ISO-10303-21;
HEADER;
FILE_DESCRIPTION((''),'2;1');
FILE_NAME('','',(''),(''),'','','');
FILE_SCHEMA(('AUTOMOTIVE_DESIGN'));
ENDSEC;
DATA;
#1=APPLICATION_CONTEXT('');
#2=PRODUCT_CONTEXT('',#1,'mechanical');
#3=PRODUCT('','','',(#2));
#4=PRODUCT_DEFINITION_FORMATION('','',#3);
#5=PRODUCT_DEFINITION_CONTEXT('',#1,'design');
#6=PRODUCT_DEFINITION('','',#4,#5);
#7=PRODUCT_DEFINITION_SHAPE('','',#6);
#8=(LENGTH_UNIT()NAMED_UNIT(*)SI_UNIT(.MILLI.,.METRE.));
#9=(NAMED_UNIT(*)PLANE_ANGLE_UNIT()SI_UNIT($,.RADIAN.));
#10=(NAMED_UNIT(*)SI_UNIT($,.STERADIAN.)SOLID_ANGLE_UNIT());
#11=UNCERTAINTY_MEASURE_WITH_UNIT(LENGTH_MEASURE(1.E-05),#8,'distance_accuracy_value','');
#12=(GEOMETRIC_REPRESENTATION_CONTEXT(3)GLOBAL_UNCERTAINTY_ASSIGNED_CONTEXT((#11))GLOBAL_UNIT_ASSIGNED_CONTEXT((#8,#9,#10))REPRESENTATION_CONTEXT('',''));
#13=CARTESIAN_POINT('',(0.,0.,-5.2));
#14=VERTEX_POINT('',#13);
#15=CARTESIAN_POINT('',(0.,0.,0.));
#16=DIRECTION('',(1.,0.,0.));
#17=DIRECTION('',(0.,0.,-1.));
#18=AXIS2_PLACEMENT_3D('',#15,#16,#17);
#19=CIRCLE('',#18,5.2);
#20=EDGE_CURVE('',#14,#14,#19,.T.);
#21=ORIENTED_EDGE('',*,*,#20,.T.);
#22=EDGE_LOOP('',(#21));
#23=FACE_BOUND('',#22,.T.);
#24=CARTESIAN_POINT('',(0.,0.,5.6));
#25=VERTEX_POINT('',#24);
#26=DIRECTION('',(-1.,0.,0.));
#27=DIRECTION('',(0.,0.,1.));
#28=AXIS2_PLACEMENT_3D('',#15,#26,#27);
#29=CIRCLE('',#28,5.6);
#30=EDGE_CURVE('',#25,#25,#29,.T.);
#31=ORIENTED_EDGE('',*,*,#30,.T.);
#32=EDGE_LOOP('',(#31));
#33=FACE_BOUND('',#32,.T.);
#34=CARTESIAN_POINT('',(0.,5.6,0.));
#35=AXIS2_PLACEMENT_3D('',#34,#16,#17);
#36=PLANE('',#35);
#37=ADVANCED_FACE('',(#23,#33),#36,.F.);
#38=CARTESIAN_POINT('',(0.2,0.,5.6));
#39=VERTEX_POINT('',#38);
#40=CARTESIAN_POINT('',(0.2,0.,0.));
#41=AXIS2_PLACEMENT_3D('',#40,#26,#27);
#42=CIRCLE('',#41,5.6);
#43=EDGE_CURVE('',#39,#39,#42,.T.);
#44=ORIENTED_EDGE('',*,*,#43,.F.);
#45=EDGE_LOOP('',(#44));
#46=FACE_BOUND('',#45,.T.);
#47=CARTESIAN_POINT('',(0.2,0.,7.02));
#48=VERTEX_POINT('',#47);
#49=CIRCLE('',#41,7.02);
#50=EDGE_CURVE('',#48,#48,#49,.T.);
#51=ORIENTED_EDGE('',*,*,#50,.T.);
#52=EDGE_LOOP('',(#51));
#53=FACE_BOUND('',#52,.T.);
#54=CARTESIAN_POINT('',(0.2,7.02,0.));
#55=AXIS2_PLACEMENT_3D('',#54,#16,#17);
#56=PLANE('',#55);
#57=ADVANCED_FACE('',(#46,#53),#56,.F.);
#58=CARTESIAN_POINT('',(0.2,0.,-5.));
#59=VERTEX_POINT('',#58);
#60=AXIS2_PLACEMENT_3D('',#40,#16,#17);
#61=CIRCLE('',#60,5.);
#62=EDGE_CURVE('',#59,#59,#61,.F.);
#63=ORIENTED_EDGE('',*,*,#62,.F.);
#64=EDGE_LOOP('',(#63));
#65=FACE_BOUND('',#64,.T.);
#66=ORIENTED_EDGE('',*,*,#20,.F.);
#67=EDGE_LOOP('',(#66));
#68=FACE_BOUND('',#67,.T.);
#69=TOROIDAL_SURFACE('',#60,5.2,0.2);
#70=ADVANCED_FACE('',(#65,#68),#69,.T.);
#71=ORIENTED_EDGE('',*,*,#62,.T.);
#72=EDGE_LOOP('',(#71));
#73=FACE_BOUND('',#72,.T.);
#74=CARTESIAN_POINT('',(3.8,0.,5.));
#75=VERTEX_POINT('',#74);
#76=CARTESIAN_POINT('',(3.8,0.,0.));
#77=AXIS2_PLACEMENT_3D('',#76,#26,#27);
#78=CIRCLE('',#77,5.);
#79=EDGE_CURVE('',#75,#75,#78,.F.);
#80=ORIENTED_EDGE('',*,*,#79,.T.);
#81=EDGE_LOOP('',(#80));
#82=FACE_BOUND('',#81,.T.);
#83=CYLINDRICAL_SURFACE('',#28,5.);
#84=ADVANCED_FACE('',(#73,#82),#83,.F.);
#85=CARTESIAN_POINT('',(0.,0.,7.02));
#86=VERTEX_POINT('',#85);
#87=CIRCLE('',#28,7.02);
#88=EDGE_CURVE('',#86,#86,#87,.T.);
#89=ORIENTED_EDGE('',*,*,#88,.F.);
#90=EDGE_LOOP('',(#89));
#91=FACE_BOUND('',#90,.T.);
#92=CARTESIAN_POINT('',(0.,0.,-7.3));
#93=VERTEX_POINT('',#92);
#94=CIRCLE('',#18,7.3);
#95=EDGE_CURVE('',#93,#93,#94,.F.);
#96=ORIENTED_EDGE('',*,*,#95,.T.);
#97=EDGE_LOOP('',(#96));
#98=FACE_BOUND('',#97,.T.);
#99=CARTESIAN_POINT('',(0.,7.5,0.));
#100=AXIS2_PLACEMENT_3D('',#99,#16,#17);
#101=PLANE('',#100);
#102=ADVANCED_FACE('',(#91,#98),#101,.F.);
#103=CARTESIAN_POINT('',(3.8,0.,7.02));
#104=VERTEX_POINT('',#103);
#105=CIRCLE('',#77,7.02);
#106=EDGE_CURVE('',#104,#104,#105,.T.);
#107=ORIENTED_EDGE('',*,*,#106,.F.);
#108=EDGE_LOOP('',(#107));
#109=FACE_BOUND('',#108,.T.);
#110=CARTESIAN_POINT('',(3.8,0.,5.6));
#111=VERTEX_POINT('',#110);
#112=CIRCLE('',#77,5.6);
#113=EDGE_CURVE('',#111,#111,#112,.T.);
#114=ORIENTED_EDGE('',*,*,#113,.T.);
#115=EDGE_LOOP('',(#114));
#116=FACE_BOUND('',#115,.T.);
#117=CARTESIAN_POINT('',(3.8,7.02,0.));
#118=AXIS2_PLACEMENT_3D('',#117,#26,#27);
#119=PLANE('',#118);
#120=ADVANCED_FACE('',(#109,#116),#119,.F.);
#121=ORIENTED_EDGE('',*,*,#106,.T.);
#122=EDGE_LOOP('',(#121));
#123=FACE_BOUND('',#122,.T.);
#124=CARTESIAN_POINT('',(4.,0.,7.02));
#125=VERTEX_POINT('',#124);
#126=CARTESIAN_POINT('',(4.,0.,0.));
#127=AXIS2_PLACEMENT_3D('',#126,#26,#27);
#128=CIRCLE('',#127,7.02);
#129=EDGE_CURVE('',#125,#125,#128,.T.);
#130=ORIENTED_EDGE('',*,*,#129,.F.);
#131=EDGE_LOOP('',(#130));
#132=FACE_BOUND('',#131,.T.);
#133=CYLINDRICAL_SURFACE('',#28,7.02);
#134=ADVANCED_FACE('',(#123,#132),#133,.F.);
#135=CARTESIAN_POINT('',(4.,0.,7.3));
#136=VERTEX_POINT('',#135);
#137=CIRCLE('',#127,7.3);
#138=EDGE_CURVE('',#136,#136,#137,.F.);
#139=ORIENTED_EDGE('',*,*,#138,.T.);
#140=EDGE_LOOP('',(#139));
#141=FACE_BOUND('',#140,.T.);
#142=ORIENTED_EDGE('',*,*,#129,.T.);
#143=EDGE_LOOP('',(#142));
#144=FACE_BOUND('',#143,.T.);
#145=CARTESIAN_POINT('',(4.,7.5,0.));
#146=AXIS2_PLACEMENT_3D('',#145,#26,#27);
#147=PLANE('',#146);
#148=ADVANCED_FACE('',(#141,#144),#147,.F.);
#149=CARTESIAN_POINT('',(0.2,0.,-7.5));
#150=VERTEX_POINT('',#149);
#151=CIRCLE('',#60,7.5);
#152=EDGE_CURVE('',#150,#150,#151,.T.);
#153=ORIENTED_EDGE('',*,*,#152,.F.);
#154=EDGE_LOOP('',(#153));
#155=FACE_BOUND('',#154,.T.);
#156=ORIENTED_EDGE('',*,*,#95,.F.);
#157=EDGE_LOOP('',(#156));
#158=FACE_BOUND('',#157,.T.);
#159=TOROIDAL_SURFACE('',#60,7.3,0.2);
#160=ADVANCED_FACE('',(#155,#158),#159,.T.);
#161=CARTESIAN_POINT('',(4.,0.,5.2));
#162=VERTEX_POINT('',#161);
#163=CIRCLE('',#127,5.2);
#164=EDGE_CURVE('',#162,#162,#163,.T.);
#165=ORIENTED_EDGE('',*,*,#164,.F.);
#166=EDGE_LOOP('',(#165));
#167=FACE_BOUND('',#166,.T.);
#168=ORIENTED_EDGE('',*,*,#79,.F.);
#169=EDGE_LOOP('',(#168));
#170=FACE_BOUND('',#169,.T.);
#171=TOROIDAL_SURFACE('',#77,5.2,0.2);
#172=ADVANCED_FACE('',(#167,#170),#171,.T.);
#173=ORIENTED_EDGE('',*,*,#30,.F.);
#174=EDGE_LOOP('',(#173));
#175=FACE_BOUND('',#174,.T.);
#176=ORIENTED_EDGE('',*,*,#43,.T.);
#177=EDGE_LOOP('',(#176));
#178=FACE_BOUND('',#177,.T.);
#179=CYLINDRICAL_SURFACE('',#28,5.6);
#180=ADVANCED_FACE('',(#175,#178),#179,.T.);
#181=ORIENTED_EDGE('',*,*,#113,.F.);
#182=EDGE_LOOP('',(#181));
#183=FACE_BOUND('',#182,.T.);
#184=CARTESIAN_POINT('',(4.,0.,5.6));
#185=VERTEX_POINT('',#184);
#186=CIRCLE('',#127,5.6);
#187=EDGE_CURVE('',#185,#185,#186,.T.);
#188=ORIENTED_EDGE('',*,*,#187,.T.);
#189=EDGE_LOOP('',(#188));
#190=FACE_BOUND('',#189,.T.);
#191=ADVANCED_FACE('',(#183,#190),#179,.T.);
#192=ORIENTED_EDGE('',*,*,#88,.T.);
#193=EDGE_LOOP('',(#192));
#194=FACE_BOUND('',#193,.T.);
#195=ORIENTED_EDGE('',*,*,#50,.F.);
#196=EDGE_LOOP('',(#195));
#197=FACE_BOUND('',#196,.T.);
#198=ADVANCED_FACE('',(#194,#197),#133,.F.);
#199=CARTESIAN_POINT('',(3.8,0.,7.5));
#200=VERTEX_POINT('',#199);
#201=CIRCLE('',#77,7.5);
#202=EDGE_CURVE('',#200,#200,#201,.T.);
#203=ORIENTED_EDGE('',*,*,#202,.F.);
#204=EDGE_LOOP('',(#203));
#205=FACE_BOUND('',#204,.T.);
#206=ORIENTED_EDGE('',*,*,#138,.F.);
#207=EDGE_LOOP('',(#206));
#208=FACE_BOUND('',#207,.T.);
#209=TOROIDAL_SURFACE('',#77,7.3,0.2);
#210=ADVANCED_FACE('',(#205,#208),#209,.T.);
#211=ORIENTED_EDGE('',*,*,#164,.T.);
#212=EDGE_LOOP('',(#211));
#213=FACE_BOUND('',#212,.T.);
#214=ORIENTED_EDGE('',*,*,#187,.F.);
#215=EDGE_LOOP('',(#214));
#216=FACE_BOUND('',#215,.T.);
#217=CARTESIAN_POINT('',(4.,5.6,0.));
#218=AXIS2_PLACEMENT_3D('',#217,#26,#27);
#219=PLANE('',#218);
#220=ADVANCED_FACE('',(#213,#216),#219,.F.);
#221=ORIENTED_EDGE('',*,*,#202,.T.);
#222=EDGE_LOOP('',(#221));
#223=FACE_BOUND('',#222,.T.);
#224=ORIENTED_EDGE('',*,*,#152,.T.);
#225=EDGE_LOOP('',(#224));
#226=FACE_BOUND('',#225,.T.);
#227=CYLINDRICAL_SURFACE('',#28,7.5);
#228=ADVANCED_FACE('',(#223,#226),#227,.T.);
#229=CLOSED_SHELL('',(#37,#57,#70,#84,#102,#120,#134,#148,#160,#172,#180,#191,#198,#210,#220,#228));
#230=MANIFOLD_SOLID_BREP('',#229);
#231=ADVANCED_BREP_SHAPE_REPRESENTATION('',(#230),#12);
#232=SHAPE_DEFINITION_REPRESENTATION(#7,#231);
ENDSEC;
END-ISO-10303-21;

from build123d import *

# Parameters (mm, degrees)
FILLET1_R = 0.2
FILLET2_R = 0.2


with BuildPart() as part:
    # Sketch1 → Revolve1 (revolve)
    with BuildSketch(Plane.XY, mode=Mode.PRIVATE) as revolve1_sk:
        Polygon((0, 5), (4, 5), (4, 5.6), (3.8, 5.6), (3.8, 7.02), (4, 7.02), (4, 7.5), (0, 7.5), (0, 7.02), (0.2, 7.02), (0.2, 5.6), (0, 5.6), align=None)
    revolve(revolve1_sk.sketch.rotate(Axis((0, 0, 0), (1, 0, 0)), 90), axis=Axis((0, 0, 0), (1, 0, 0)))

    # Fillet1
    fillet1_edges = [part.edges().sort_by_distance(p)[0] for p in [
        (0, 0, -7.5),
        (4, 0, -7.5),
    ]]
    fillet(fillet1_edges, radius=FILLET1_R)

    # Fillet2
    fillet2_edges = [part.edges().sort_by_distance(p)[0] for p in [
        (4, 0, -5),
        (0, 0, -5),
    ]]
    fillet(fillet2_edges, radius=FILLET2_R)


solid = part.part
